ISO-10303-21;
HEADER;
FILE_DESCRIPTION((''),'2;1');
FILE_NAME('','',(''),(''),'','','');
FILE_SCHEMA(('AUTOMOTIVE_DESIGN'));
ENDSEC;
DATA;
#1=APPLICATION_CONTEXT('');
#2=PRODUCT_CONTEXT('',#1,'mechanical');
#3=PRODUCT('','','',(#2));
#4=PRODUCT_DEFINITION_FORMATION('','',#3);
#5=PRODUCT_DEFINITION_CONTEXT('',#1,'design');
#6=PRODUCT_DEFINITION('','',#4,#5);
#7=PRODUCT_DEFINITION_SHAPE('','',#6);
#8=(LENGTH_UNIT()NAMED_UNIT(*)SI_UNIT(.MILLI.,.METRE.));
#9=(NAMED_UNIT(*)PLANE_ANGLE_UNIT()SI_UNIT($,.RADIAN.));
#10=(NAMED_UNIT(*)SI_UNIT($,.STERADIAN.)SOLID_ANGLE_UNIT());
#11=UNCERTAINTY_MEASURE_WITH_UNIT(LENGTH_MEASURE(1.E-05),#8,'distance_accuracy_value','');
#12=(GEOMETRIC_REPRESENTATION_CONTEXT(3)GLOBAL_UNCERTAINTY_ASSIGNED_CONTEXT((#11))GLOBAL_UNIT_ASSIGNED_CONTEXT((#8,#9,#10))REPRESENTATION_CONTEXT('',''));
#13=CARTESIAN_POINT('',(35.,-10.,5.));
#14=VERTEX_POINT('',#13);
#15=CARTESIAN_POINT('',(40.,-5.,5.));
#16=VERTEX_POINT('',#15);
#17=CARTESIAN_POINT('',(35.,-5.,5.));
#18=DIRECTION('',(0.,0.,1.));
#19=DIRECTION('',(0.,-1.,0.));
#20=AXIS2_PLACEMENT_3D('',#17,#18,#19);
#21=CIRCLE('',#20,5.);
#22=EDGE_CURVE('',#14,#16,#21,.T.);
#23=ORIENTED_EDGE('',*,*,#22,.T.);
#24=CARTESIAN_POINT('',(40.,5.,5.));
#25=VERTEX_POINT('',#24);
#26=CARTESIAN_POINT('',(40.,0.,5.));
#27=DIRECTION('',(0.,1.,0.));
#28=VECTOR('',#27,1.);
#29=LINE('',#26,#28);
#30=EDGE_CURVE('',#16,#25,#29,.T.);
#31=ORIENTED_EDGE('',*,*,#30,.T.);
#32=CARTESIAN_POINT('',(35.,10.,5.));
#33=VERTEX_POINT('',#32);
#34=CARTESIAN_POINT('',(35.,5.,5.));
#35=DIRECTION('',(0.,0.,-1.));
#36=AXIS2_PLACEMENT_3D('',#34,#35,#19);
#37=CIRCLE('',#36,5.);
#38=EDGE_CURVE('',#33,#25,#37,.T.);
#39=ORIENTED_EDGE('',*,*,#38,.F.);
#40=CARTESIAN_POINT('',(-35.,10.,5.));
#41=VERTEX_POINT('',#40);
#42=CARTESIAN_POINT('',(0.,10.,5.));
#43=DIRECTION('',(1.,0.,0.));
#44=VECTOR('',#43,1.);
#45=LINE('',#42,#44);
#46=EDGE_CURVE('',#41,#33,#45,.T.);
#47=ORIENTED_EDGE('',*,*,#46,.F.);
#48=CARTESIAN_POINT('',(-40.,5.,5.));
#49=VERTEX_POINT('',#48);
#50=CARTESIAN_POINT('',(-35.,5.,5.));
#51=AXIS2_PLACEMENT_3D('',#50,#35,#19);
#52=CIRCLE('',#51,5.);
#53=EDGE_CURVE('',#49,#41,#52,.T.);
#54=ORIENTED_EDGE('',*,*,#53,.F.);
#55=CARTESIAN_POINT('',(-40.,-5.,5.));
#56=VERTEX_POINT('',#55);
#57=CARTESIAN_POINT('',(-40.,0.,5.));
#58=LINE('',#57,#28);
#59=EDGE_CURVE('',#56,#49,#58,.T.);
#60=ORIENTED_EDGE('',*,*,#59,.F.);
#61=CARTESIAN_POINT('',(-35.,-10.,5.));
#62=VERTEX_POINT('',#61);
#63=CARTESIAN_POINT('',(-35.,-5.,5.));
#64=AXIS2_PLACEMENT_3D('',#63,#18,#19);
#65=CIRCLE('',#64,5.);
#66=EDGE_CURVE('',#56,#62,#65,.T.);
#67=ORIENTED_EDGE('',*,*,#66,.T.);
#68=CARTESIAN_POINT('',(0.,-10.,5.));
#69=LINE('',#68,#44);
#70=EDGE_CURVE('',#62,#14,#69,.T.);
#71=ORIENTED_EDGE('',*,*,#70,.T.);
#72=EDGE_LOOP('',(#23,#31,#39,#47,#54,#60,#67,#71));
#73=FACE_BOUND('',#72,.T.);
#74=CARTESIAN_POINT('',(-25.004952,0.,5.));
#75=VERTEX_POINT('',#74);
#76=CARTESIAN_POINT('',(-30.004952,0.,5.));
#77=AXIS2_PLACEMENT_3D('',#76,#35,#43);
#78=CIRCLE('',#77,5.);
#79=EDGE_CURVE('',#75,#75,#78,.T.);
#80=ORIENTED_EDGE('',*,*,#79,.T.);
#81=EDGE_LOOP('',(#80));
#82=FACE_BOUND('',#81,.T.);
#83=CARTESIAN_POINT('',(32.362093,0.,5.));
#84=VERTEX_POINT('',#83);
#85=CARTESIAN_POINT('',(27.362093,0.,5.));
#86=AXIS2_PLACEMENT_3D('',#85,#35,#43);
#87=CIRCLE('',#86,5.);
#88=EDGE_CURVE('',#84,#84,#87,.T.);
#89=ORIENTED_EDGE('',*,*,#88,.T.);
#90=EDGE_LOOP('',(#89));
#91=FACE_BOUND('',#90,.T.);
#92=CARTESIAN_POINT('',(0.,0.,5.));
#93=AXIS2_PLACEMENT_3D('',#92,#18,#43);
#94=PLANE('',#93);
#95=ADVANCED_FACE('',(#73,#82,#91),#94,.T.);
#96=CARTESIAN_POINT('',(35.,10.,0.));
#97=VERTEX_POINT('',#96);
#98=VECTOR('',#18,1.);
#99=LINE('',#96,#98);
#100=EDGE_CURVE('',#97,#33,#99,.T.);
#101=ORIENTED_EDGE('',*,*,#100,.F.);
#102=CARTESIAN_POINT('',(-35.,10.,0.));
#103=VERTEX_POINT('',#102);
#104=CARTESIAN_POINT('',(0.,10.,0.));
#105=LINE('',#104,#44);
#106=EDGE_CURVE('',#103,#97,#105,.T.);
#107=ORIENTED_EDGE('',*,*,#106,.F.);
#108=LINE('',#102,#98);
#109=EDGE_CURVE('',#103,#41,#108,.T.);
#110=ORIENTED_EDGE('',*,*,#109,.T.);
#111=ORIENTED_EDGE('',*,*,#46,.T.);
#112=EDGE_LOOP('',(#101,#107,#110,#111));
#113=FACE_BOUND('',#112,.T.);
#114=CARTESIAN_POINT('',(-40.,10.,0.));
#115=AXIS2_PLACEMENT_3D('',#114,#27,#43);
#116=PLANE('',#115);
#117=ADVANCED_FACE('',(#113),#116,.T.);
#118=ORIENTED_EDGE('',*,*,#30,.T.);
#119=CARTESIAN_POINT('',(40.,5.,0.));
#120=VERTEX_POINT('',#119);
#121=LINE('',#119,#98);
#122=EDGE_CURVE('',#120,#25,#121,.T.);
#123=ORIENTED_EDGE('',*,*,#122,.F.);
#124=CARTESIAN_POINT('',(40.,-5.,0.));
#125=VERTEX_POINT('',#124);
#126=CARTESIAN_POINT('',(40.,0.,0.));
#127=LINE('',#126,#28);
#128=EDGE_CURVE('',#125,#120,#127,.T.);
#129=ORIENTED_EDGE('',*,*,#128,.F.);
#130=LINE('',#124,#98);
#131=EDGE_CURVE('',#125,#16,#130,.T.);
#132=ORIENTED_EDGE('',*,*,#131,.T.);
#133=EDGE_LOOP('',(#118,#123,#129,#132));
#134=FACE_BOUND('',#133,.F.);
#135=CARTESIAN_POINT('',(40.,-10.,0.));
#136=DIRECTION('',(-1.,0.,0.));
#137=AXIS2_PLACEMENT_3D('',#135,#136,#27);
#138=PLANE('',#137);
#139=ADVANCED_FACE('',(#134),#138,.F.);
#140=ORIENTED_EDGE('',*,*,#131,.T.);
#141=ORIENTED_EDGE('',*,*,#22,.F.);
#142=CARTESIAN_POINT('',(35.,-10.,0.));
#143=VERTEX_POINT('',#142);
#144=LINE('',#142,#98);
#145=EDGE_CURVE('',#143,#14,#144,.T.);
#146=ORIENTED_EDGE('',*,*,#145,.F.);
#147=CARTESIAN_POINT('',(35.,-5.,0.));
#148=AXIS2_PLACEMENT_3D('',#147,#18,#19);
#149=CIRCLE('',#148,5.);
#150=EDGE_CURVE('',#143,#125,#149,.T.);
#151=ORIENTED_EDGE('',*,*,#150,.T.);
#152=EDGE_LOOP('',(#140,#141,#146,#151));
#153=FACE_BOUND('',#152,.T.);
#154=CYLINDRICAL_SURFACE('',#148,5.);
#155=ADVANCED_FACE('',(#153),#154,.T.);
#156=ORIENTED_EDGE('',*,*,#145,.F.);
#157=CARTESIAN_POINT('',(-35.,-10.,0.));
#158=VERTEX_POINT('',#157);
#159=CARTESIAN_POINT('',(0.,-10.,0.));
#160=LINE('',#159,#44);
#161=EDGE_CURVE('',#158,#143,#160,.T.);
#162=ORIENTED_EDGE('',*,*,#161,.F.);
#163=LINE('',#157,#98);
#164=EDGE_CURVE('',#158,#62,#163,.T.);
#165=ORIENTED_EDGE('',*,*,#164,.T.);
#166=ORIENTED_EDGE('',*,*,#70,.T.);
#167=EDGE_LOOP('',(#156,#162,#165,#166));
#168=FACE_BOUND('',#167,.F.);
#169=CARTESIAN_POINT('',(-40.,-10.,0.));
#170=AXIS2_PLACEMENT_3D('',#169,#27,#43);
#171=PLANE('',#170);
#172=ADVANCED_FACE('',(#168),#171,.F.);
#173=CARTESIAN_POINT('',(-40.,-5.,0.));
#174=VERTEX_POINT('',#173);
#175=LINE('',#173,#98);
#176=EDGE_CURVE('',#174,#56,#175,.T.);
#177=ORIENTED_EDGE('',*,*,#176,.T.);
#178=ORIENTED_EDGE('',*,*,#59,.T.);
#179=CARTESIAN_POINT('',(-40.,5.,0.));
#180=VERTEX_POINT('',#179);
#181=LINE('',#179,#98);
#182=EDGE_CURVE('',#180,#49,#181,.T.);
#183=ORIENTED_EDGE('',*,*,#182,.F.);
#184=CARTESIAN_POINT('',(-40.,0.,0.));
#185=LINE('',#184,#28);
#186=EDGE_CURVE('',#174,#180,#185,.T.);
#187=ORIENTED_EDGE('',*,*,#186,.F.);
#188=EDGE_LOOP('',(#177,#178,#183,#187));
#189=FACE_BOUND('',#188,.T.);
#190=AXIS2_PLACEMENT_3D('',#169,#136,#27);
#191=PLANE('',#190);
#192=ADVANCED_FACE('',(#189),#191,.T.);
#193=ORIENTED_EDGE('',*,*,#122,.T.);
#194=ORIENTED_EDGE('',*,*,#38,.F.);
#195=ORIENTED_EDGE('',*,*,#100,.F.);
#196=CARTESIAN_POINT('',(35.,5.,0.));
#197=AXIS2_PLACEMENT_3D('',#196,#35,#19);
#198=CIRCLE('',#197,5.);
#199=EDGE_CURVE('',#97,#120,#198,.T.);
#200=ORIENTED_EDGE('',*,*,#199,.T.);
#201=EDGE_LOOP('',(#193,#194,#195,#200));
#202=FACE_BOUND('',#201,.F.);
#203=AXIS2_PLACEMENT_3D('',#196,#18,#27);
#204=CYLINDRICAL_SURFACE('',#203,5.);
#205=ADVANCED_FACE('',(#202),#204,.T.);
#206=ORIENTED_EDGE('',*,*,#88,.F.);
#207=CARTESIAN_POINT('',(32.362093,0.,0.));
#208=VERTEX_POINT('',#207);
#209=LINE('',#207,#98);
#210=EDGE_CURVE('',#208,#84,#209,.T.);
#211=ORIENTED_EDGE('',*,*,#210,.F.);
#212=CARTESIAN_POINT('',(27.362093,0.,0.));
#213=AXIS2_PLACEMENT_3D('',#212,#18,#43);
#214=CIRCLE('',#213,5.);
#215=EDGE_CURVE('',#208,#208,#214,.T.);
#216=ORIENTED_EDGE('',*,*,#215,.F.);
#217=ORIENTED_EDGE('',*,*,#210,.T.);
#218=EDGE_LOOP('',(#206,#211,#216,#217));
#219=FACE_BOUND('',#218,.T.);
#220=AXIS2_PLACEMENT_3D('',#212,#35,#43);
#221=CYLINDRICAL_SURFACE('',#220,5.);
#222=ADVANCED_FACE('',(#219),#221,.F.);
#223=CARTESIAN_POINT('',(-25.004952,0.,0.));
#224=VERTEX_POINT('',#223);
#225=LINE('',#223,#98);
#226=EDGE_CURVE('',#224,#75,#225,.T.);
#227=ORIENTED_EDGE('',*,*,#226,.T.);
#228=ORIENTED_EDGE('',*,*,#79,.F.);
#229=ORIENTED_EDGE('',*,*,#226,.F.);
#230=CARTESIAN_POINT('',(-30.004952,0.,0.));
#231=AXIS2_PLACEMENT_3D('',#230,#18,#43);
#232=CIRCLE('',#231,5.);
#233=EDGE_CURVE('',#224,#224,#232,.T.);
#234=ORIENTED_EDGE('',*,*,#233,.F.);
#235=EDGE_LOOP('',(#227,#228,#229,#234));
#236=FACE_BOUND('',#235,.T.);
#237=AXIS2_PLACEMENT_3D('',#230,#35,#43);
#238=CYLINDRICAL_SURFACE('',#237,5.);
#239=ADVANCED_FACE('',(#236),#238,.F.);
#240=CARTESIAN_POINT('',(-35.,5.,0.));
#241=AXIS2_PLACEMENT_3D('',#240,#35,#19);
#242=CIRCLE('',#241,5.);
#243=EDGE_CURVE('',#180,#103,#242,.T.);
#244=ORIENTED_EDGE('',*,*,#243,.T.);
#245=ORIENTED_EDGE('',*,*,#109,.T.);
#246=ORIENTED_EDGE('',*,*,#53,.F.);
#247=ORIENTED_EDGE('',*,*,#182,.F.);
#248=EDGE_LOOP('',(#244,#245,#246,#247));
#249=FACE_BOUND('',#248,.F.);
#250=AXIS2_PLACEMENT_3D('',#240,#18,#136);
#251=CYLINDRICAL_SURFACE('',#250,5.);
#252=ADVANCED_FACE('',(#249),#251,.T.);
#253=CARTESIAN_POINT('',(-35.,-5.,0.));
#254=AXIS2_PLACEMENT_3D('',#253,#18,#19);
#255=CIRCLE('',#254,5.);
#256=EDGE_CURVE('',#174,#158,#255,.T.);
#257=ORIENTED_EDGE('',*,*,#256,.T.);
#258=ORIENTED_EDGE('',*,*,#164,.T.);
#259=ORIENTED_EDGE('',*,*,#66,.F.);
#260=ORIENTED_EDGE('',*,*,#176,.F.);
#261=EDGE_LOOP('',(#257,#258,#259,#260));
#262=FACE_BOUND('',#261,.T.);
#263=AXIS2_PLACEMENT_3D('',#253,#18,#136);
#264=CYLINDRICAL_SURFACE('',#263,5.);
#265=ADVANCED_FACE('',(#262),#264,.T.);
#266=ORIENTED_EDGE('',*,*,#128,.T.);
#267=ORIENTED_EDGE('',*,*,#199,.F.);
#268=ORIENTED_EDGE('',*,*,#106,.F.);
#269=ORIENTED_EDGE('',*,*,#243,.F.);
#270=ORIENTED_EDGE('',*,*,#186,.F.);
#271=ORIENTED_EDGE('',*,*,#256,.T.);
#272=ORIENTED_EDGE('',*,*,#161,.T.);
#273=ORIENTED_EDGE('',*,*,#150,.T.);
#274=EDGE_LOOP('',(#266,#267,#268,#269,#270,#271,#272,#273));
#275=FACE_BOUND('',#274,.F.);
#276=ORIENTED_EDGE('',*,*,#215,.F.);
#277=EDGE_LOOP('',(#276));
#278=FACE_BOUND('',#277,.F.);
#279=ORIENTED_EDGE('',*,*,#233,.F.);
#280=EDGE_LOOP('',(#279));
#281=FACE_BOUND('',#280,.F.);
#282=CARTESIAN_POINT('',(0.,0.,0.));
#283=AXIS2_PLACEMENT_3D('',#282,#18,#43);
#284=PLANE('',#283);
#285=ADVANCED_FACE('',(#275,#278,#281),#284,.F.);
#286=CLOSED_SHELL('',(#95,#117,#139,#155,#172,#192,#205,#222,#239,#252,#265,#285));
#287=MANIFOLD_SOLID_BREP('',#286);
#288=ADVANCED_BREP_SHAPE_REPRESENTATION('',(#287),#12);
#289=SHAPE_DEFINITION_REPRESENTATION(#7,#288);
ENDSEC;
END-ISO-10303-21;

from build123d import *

# Parameters (mm, degrees)
F0_W     = 80
F0_H     = 20
F1_DEPTH = 5
F2_R     = 5
F3_DEPTH = 5.001
F4_R     = 5


with BuildPart() as f1:
    # F0 (on Top) → F1 (new body)
    with BuildSketch(Plane.XY):
        Rectangle(F0_W, F0_H)
    extrude(amount=F1_DEPTH)

    # F2 (on Top) → F3 (cut, through all)
    with BuildSketch(Plane.XY):
        with Locations((-30.004952, 0)):
            Circle(F2_R)
        with Locations((27.362093, 0)):
            Circle(F2_R)
    extrude(amount=F3_DEPTH, mode=Mode.SUBTRACT)

    # F4
    f4_edges = [f1.edges().sort_by_distance(p)[0] for p in [
        (40, -10, 2.5),
        (40, 10, 2.5),
        (-40, -10, 2.5),
        (-40, 10, 2.5),
    ]]
    fillet(f4_edges, radius=F4_R)


solid = f1.part
